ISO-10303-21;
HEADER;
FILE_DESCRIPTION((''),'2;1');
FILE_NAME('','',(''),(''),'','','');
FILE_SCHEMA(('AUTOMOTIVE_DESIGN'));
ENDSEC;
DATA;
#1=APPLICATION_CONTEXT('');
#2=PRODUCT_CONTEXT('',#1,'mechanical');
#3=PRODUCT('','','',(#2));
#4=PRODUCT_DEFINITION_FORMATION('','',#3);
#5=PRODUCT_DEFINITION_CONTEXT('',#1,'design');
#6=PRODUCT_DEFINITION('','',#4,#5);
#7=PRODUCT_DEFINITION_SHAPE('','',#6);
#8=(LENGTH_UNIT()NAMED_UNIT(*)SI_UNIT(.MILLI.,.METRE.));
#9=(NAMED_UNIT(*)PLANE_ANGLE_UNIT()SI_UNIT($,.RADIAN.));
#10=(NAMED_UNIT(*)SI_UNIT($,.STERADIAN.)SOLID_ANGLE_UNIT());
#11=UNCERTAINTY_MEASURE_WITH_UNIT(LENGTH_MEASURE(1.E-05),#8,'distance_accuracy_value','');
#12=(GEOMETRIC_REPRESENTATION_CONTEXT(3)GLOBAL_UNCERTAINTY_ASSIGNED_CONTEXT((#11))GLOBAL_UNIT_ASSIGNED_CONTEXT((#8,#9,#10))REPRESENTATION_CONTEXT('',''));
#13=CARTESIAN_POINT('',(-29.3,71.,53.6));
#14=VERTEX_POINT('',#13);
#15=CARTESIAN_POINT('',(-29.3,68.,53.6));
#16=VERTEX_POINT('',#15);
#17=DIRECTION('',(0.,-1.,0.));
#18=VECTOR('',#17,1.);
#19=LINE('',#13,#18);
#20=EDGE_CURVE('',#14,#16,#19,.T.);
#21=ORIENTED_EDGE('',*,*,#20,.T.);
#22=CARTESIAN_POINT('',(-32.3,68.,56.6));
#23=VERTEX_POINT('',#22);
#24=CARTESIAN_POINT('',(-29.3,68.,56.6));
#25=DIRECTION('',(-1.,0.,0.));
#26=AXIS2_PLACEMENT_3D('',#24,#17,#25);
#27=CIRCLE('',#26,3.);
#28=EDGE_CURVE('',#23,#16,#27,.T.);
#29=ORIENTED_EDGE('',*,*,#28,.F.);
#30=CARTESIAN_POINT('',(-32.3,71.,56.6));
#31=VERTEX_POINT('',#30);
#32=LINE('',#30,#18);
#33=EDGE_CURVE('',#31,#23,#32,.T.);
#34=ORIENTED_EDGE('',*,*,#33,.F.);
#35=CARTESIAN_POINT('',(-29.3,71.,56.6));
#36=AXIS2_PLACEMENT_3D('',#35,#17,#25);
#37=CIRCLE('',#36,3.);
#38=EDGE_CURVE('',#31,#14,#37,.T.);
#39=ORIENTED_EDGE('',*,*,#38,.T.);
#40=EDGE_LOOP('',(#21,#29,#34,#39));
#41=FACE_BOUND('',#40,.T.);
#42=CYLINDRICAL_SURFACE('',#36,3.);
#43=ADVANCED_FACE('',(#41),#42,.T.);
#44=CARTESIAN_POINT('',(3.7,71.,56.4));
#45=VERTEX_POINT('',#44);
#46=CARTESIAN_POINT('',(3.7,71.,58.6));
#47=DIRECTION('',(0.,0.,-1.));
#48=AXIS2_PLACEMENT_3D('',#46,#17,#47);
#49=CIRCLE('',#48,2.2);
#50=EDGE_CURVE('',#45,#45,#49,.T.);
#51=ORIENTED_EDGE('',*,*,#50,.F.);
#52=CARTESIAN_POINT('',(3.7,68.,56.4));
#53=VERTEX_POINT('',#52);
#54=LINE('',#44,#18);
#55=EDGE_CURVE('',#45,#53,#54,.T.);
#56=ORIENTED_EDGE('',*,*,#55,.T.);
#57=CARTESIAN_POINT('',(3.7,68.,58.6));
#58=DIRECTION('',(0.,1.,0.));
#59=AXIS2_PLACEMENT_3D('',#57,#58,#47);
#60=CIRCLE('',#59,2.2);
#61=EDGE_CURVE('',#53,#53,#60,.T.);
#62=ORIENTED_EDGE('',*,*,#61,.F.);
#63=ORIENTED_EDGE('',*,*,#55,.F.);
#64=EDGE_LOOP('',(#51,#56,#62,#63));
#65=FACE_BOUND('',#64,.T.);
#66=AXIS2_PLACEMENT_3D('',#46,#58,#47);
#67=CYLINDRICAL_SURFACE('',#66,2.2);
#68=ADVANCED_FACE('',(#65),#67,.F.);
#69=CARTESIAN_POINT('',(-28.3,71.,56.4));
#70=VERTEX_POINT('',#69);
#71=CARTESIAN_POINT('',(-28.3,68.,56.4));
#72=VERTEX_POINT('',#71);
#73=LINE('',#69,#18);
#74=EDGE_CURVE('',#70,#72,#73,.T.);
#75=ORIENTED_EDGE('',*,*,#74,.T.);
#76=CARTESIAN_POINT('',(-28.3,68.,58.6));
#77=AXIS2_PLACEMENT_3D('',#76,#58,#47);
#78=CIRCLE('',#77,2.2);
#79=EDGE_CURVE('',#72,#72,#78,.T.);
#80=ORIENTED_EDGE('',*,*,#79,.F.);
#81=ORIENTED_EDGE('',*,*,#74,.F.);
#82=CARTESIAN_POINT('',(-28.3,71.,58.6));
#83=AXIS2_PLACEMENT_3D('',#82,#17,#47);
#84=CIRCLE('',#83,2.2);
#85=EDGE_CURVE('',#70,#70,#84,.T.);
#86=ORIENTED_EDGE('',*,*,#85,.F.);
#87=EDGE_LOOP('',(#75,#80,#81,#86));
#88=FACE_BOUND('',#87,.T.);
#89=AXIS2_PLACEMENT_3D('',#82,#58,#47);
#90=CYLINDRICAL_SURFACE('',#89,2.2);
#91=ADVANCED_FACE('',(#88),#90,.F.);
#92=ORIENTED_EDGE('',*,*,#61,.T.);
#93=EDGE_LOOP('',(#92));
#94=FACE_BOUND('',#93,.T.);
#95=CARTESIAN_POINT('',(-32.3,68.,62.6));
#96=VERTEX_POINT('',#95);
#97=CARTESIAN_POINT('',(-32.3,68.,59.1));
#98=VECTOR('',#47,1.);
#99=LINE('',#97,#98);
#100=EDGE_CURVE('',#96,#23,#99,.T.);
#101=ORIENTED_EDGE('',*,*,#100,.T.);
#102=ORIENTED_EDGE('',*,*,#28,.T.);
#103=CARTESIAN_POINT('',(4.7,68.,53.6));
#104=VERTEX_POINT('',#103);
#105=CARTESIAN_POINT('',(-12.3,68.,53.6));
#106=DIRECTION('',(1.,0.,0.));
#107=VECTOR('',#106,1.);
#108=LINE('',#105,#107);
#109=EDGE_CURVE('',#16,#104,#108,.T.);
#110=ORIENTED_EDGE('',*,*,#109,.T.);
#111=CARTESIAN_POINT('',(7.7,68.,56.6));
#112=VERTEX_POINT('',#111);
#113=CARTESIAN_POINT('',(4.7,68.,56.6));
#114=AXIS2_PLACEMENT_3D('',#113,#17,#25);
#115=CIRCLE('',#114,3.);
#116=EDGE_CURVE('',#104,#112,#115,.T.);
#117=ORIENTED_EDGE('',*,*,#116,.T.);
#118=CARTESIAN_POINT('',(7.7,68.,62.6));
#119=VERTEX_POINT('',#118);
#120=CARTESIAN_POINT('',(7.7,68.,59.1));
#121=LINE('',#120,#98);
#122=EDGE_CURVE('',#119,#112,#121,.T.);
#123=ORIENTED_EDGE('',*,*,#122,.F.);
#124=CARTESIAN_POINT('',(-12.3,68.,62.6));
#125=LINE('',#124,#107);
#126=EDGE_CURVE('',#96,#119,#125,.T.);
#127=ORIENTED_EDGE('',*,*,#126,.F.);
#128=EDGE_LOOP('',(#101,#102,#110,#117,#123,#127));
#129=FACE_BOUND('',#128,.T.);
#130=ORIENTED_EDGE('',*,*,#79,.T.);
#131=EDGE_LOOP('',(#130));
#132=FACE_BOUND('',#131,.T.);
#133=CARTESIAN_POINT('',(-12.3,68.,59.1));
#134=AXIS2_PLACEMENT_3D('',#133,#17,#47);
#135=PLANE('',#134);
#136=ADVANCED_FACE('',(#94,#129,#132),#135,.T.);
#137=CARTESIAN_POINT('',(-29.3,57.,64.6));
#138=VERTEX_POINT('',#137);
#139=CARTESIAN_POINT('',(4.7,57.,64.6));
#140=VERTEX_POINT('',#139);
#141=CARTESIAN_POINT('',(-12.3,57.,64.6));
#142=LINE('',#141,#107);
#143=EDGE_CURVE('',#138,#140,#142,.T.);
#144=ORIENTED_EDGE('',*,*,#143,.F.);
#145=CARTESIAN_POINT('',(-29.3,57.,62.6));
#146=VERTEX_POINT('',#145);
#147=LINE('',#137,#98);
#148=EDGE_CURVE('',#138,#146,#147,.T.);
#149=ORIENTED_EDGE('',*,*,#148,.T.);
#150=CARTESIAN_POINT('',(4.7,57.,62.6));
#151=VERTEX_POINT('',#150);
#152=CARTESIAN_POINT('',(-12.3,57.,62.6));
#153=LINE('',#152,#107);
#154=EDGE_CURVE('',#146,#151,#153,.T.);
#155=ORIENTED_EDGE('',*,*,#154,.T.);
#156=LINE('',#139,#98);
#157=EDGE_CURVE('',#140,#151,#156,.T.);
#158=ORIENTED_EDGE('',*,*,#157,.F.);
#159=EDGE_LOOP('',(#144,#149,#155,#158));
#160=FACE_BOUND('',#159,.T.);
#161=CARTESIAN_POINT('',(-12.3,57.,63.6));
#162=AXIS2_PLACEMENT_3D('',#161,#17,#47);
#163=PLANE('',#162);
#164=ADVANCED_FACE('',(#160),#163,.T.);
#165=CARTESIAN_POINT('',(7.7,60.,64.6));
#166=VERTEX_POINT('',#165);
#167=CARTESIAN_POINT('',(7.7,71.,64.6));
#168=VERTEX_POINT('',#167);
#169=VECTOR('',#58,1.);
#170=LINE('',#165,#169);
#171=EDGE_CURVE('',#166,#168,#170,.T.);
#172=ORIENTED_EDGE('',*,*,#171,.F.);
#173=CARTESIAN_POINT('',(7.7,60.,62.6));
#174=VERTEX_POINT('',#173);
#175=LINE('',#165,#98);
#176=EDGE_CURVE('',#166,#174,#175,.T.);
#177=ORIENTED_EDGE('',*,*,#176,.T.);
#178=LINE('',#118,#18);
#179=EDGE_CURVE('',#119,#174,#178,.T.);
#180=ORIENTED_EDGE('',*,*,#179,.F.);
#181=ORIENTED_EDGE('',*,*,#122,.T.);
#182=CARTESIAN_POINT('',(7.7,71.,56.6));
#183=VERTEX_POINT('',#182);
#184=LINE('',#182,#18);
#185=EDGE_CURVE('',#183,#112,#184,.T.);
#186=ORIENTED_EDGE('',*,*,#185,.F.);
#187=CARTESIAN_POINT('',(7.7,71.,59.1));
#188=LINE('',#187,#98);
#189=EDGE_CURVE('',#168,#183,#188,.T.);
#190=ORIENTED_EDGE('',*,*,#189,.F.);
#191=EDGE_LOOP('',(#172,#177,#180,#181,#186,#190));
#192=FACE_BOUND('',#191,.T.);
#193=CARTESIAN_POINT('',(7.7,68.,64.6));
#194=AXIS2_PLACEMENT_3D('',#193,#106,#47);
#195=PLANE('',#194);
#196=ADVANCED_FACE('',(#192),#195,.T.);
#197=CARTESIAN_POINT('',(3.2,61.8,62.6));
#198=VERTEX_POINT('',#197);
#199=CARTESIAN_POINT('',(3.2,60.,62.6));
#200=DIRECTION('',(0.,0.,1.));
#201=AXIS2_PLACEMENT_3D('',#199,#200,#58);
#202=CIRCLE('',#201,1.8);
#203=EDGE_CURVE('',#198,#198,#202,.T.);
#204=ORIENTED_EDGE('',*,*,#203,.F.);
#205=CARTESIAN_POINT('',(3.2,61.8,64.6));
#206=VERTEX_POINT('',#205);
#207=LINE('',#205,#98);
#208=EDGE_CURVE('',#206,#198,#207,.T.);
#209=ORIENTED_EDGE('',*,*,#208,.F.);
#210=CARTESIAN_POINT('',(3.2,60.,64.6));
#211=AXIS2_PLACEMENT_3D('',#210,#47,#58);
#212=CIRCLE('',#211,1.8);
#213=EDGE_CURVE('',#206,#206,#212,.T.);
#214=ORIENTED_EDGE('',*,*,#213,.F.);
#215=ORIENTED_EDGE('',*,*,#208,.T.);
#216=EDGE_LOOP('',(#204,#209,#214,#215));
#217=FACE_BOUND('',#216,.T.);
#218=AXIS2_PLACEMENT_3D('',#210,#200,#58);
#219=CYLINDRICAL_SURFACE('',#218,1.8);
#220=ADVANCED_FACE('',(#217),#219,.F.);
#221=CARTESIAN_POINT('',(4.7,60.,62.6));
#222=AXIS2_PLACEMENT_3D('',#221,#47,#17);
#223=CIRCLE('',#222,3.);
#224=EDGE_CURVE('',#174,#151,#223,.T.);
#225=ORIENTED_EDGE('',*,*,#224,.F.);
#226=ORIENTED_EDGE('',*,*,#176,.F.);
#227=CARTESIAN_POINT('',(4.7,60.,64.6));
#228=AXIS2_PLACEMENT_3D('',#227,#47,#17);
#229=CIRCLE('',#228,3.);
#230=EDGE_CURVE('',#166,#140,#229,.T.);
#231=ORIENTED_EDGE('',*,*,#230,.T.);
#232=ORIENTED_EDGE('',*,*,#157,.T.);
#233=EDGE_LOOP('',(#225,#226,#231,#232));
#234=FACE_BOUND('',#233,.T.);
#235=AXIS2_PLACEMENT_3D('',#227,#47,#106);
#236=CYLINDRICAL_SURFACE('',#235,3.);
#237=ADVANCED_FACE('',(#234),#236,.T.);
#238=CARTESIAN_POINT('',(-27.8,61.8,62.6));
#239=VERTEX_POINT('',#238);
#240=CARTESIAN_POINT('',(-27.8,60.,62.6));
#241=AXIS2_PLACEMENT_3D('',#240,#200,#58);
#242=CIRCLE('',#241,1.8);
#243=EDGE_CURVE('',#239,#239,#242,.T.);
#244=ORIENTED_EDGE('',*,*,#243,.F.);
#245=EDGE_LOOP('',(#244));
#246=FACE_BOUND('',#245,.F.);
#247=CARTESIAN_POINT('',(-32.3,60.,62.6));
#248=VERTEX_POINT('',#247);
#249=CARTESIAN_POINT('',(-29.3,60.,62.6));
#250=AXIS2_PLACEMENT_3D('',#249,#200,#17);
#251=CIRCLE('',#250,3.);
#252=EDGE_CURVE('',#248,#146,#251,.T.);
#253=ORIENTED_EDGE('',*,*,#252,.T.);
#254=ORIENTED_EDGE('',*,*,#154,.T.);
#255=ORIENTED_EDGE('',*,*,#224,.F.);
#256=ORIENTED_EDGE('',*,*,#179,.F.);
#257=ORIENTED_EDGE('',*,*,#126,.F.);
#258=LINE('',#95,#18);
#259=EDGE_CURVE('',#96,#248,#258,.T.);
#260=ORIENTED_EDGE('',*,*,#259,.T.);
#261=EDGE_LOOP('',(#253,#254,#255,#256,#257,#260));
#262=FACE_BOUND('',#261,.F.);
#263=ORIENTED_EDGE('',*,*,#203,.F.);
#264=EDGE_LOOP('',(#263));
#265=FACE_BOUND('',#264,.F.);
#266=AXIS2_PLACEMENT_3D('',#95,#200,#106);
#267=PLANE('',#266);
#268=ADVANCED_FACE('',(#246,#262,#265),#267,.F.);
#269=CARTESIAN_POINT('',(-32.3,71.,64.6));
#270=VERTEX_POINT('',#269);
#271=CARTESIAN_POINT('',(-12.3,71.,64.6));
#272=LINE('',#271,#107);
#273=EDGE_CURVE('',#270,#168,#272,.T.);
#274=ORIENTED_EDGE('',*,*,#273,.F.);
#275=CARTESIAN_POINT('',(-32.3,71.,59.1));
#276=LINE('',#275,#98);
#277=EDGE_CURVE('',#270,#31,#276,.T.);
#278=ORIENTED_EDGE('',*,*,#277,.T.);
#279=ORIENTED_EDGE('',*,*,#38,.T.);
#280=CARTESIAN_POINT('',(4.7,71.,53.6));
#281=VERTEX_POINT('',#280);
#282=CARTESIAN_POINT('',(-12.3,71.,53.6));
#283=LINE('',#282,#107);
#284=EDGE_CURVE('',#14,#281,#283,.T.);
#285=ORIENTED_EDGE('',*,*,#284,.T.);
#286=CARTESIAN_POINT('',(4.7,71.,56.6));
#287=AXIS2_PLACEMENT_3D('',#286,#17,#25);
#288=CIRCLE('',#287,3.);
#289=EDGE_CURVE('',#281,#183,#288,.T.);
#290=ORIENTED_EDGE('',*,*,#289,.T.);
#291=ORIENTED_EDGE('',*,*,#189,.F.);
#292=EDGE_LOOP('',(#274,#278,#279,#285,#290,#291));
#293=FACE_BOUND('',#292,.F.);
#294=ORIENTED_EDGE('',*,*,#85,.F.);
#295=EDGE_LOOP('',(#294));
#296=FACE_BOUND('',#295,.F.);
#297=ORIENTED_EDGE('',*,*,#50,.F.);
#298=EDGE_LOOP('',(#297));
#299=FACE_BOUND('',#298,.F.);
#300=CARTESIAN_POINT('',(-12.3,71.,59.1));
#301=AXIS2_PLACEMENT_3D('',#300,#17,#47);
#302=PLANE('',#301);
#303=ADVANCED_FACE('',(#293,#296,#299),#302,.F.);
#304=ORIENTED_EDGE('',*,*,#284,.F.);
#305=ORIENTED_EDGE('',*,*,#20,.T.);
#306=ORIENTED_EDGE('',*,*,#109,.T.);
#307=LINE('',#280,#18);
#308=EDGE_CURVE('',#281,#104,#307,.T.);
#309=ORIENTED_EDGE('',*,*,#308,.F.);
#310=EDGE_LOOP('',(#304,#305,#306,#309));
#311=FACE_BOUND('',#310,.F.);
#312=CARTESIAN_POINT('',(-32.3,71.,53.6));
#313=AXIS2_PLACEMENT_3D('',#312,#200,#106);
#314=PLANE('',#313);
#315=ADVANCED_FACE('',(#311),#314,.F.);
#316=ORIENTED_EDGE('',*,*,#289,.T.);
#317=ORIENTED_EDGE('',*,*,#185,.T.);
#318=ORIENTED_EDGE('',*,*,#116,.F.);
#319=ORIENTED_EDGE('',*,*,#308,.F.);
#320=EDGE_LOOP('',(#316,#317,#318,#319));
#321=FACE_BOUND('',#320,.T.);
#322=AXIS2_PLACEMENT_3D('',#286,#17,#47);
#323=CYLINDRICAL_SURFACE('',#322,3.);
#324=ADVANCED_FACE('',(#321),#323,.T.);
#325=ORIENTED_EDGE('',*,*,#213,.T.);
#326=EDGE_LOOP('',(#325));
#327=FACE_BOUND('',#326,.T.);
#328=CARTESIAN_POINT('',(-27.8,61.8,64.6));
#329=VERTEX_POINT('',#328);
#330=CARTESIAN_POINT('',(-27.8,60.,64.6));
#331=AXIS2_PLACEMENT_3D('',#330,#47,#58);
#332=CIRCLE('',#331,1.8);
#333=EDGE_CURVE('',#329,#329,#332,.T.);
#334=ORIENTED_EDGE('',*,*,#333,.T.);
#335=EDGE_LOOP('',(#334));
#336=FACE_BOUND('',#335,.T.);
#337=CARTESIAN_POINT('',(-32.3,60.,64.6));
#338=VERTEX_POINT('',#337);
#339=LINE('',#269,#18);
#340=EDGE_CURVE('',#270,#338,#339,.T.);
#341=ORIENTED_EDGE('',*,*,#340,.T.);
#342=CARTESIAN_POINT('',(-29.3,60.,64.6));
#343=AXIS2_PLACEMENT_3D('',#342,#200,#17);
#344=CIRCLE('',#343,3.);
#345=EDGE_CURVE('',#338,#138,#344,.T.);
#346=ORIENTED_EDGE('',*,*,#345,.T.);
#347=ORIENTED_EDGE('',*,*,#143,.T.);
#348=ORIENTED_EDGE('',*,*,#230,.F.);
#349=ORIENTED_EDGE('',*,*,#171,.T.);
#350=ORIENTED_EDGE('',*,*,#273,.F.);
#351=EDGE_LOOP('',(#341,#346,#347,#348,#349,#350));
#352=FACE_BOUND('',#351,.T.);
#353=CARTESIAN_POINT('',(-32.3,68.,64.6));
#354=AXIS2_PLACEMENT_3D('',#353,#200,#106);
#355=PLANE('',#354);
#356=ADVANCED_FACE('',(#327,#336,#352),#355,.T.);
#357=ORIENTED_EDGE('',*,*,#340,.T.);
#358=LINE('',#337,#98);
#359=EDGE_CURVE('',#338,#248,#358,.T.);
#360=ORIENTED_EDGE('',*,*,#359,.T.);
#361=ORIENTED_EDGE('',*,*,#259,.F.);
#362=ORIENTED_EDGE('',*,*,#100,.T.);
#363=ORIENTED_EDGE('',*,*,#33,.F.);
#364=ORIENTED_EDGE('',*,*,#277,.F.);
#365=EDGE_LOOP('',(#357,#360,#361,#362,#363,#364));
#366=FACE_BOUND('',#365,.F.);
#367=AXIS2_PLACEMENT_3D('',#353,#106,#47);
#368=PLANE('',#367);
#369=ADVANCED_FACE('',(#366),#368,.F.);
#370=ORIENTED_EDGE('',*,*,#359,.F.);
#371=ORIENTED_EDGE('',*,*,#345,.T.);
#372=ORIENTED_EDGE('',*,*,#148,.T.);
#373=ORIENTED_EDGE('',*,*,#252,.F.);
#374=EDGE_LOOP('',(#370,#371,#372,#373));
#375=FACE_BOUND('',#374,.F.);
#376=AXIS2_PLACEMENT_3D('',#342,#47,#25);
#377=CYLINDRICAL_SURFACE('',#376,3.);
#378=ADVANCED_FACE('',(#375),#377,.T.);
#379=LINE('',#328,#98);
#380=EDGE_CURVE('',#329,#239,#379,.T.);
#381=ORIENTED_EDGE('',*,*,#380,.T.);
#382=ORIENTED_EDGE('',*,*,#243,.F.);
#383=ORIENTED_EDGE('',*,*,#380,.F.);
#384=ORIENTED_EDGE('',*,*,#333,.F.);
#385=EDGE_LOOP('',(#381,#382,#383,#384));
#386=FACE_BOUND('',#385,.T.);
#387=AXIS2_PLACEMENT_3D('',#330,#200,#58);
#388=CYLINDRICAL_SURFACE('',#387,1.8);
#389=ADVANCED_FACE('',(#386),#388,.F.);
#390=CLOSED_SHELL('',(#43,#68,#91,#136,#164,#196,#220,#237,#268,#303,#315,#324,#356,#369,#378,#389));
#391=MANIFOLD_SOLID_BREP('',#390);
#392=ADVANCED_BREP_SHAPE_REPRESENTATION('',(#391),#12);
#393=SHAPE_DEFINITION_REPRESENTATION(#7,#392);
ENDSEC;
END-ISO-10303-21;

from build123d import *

# Parameters (mm, degrees)
CYLINDER001_R            = 2.2
CYLINDER001_DEPTH        = 10
ARRAY005_Y_COUNT         = 2
ARRAY005_Y_PITCH         = 32
CYLINDER008_R            = 1.8
CYLINDER008_DEPTH        = 10
ARRAY004_Y_COUNT         = 2
ARRAY004_Y_PITCH         = 31
ARRAY004_PLACEMENT_ANGLE = 90
BOX007_W                 = 2
BOX007_H                 = 40
BOX007_DEPTH             = 11
FILLET004_R              = 3
BOX006_W                 = 11
BOX006_H                 = 40
BOX006_DEPTH             = 3
FILLET003_R              = 3
CUT005_PITCH_ANGLE       = 90
CUT005_PLACEMENT_ANGLE   = -90


with BuildPart() as pcb_hole_array:
    # Cylinder001 → Cylinder001 (new body)
    with BuildSketch(Plane.XY):
        Circle(CYLINDER001_R)
    extrude(amount=CYLINDER001_DEPTH)

    # Array005 Y: pcb hole array ×2


with BuildPart() as pcb_hole_array_1:
    add(pcb_hole_array.part)
    with Locations(*[(0, i * ARRAY005_Y_PITCH, 0) for i in range(1, ARRAY005_Y_COUNT)]):
        add(pcb_hole_array.part)


with BuildPart() as pcb_hole_array_2:
    # Array005 placement: moved
    add(pcb_hole_array_1.part.moved(Location((6, 4, -3))))


with BuildPart() as fusion010:
    # Cylinder008 → Cylinder008 (new body)
    with BuildSketch(Plane.XY):
        Circle(CYLINDER008_R)
    extrude(amount=CYLINDER008_DEPTH)

    # Array004 Y: Fusion010 ×2


with BuildPart() as fusion010_1:
    add(fusion010.part)
    with Locations(*[(0, i * ARRAY004_Y_PITCH, 0) for i in range(1, ARRAY004_Y_COUNT)]):
        add(fusion010.part)


with BuildPart() as fusion010_2:
    # Array004 placement: moved
    add(fusion010_1.part.moved(Location((0, 4.5, 8))).rotate(Axis((0, 4.5, 8), (0, 1, 0)), ARRAY004_PLACEMENT_ANGLE))

    # Fusion010: union pcb hole array
    add(pcb_hole_array_2.part)


with BuildPart() as fillet004:
    # Box007 → Box007 (new body)
    with BuildSketch(Plane.XY):
        with Locations((1, 20)):
            Rectangle(BOX007_W, BOX007_H)
    extrude(amount=BOX007_DEPTH)

    # Fillet004
    fillet004_edges = [fillet004.edges().sort_by_distance(p)[0] for p in [
        (1, 0, 11),
        (1, 40, 11),
    ]]
    fillet(fillet004_edges, radius=FILLET004_R)


with BuildPart() as pcb_holder_cut:
    # Box006 → Box006 (new body)
    with BuildSketch(Plane.XY.offset(-3)):
        with Locations((5.5, 20)):
            Rectangle(BOX006_W, BOX006_H)
    extrude(amount=BOX006_DEPTH)

    # Fillet003
    fillet003_edges = [pcb_holder_cut.edges().sort_by_distance(p)[0] for p in [
        (11, 0, -1.5),
        (11, 40, -1.5),
    ]]
    fillet(fillet003_edges, radius=FILLET003_R)

    # Fusion011: union Fillet004
    add(fillet004.part)

    # Cut005: cut Fusion010
    add(fusion010_2.part, mode=Mode.SUBTRACT)


with BuildPart() as pcb_holder_cut_1:
    # Cut005 pitch: moved
    add(pcb_holder_cut.part.rotate(Axis((0, 0, 0), (0, 1, 0)), CUT005_PITCH_ANGLE))


with BuildPart() as pcb_holder_cut_2:
    # Cut005 placement: moved
    add(pcb_holder_cut_1.part.moved(Location((-32.3, 68, 64.6))).rotate(Axis((-32.3, 68, 64.6), (0, 0, 1)), CUT005_PLACEMENT_ANGLE))


solid = pcb_holder_cut_2.part
